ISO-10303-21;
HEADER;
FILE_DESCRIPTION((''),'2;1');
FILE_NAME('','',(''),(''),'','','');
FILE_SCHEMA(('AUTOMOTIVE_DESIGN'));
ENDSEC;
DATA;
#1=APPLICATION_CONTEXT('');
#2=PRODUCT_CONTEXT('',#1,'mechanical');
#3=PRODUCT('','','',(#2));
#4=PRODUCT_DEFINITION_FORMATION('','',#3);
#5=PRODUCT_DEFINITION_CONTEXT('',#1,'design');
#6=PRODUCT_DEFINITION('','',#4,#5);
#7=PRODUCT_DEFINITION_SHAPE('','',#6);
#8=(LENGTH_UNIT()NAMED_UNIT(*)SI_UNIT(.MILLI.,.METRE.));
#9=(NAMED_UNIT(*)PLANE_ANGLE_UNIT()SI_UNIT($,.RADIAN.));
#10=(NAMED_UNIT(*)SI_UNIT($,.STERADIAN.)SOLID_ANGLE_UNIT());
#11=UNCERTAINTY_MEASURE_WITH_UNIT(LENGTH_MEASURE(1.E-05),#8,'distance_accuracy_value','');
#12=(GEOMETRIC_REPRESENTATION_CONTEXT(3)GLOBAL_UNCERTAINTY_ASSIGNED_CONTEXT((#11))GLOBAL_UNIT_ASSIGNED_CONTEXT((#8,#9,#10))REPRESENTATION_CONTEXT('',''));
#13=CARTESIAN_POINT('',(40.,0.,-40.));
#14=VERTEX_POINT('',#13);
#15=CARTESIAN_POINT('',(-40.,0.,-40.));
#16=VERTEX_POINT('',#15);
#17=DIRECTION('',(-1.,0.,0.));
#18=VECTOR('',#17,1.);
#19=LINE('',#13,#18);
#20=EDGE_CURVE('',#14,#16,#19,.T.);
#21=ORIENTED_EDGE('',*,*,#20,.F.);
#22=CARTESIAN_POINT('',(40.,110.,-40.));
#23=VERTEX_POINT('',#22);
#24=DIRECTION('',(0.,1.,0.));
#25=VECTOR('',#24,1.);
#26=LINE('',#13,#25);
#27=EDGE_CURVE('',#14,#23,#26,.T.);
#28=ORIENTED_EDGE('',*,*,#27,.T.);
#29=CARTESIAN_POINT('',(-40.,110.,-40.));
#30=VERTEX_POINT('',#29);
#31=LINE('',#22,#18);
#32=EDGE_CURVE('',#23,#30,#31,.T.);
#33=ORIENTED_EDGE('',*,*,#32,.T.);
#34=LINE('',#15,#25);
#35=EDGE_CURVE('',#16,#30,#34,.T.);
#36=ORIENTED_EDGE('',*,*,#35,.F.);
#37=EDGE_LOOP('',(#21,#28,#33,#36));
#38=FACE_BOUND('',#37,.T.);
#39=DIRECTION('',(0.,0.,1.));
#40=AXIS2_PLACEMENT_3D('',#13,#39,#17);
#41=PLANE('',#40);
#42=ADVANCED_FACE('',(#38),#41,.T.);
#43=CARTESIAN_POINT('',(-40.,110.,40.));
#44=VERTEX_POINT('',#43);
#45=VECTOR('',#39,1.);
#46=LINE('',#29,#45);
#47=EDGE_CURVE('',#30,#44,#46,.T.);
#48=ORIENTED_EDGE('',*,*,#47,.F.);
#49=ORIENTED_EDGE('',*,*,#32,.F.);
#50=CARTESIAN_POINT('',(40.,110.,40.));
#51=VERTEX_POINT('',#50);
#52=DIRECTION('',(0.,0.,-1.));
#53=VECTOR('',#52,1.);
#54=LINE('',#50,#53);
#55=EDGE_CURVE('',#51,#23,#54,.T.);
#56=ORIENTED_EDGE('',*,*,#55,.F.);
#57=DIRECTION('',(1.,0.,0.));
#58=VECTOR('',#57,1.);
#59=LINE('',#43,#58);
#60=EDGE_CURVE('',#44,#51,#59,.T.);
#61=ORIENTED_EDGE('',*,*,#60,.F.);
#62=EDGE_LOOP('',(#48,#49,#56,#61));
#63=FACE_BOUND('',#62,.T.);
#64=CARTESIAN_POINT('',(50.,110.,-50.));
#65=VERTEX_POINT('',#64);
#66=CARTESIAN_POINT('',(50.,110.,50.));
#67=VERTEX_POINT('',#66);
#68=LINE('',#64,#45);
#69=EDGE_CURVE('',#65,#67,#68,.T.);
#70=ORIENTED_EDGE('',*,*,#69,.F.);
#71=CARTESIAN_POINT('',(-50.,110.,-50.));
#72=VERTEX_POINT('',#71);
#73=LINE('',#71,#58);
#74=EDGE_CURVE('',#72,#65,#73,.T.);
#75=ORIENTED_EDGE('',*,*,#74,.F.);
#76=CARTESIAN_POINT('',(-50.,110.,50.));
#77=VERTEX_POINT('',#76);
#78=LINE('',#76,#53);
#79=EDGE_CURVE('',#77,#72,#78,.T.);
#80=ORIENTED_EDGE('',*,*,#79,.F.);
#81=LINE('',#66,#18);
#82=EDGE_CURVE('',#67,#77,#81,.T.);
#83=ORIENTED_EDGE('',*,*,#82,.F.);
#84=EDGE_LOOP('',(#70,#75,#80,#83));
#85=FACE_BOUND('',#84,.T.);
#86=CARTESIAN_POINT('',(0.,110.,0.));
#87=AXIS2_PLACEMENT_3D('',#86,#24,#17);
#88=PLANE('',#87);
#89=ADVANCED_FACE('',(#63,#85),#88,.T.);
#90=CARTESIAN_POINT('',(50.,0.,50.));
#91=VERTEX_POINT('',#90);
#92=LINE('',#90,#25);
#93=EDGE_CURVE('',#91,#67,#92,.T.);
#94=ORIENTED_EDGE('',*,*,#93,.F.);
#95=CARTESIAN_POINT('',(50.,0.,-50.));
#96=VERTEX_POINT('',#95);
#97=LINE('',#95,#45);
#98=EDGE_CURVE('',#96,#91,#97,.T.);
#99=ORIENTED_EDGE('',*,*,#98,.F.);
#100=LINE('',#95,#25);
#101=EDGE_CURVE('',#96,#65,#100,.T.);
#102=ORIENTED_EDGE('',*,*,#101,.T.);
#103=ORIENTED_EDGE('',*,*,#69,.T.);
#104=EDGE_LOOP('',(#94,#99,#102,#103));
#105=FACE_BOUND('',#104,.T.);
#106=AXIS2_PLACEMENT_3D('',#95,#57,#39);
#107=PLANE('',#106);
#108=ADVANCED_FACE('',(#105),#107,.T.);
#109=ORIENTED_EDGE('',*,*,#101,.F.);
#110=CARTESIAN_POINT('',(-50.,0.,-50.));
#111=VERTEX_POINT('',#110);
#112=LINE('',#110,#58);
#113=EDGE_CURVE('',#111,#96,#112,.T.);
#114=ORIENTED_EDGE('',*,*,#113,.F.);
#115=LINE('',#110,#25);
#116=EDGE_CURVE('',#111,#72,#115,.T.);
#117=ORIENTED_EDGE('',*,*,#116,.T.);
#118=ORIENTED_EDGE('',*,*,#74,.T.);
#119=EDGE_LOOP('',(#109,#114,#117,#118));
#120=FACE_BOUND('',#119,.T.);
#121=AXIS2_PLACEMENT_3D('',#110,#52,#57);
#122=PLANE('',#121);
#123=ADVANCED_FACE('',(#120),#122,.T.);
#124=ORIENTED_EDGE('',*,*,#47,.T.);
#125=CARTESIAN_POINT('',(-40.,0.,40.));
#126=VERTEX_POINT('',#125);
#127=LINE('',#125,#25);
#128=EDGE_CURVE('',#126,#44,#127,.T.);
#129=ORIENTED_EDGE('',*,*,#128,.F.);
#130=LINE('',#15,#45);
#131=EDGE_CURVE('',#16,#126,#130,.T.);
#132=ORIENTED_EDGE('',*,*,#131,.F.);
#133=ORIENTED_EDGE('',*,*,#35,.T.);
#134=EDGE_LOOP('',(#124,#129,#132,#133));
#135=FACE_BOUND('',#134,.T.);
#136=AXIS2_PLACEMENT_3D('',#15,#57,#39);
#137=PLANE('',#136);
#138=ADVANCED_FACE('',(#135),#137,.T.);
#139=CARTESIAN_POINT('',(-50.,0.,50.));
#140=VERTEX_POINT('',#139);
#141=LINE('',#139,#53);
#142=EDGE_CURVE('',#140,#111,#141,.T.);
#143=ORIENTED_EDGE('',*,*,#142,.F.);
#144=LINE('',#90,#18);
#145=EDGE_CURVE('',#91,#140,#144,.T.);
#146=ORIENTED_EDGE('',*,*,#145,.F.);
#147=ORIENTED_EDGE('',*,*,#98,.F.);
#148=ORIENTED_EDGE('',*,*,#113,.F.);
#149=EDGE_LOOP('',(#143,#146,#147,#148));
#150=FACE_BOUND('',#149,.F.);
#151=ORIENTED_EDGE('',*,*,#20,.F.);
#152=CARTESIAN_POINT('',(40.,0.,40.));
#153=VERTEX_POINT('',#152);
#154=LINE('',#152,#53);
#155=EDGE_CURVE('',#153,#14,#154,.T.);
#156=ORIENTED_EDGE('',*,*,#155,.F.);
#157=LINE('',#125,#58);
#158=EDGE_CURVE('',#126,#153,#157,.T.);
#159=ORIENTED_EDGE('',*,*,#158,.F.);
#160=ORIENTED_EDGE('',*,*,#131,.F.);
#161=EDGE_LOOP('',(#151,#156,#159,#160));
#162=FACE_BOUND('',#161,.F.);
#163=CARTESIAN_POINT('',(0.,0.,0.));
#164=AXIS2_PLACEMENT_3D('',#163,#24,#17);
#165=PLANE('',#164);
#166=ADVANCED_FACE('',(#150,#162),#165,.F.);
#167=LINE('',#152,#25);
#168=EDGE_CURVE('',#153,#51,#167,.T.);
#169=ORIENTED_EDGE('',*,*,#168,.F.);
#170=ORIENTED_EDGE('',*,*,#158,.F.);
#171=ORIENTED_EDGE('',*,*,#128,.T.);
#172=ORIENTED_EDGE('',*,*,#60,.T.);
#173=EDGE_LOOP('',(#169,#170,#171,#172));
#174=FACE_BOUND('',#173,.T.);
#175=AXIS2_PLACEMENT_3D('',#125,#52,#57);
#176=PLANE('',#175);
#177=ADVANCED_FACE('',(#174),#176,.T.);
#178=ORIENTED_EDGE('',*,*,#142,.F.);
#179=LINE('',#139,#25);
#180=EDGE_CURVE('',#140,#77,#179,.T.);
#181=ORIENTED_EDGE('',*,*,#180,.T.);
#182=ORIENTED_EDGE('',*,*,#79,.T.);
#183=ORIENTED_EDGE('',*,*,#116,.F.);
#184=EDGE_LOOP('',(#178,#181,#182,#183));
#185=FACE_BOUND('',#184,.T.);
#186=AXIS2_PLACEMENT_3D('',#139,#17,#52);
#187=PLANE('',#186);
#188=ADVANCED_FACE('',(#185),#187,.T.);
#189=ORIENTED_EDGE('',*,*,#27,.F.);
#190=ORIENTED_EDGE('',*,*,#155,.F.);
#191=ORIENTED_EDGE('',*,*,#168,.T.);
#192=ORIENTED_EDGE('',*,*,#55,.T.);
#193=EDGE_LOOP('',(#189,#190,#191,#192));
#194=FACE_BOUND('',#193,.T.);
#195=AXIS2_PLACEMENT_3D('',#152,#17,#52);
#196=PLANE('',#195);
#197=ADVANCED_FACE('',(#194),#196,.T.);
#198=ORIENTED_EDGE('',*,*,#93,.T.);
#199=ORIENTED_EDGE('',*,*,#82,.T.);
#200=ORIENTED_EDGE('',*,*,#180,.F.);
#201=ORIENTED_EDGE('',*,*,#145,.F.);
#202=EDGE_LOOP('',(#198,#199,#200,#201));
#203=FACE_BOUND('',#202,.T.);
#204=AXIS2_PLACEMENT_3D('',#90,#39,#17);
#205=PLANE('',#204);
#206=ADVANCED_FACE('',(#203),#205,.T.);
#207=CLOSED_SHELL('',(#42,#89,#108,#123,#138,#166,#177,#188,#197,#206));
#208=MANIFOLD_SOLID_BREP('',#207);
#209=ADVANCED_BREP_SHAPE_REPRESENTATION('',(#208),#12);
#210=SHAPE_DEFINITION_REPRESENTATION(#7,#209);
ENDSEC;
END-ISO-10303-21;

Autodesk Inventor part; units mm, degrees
ref_plane "YZ Plane" through (0, 0, 0) normal (1, 0, 0) x (0, 1, 0)
ref_plane "XZ Plane" through (0, 0, 0) normal (0, 1, 0) x (-1, 0, 0)
ref_plane "XY Plane" through (0, 0, 0) normal (0, 0, 1) x (1, 0, 0)
sketch "Sketch1" plane through (0, 0, 0) normal (0, 1, 0) x (-1, 0, 0)
  line L0 (50, -50) -> (-50, -50)
  line L1 (-50, -50) -> (-50, 50)
  line L2 (-50, 50) -> (50, 50)
  line L3 (50, 50) -> (50, -50)
  line L4 (50, -50) -> (-50, 50) construction
  line L5 (-50, -50) -> (50, 50) construction
  line L6 (-40, -40) -> (40, -40)
  line L7 (40, -40) -> (40, 40)
  line L8 (40, 40) -> (-40, 40)
  line L9 (-40, 40) -> (-40, -40)
  line L10 (-40, -40) -> (40, 40) construction
  line L11 (40, -40) -> (-40, 40) construction
  point P0 (0, 0)
  dimension "d0" = 100
  dimension "d1" = 100
  dimension "d2" = 80
  dimension "d3" = 80
extrude "Extrusion1" add sketch "Sketch1" along normal blind 110
properties part number "D1_lenght" material "Steel, Alloy"
